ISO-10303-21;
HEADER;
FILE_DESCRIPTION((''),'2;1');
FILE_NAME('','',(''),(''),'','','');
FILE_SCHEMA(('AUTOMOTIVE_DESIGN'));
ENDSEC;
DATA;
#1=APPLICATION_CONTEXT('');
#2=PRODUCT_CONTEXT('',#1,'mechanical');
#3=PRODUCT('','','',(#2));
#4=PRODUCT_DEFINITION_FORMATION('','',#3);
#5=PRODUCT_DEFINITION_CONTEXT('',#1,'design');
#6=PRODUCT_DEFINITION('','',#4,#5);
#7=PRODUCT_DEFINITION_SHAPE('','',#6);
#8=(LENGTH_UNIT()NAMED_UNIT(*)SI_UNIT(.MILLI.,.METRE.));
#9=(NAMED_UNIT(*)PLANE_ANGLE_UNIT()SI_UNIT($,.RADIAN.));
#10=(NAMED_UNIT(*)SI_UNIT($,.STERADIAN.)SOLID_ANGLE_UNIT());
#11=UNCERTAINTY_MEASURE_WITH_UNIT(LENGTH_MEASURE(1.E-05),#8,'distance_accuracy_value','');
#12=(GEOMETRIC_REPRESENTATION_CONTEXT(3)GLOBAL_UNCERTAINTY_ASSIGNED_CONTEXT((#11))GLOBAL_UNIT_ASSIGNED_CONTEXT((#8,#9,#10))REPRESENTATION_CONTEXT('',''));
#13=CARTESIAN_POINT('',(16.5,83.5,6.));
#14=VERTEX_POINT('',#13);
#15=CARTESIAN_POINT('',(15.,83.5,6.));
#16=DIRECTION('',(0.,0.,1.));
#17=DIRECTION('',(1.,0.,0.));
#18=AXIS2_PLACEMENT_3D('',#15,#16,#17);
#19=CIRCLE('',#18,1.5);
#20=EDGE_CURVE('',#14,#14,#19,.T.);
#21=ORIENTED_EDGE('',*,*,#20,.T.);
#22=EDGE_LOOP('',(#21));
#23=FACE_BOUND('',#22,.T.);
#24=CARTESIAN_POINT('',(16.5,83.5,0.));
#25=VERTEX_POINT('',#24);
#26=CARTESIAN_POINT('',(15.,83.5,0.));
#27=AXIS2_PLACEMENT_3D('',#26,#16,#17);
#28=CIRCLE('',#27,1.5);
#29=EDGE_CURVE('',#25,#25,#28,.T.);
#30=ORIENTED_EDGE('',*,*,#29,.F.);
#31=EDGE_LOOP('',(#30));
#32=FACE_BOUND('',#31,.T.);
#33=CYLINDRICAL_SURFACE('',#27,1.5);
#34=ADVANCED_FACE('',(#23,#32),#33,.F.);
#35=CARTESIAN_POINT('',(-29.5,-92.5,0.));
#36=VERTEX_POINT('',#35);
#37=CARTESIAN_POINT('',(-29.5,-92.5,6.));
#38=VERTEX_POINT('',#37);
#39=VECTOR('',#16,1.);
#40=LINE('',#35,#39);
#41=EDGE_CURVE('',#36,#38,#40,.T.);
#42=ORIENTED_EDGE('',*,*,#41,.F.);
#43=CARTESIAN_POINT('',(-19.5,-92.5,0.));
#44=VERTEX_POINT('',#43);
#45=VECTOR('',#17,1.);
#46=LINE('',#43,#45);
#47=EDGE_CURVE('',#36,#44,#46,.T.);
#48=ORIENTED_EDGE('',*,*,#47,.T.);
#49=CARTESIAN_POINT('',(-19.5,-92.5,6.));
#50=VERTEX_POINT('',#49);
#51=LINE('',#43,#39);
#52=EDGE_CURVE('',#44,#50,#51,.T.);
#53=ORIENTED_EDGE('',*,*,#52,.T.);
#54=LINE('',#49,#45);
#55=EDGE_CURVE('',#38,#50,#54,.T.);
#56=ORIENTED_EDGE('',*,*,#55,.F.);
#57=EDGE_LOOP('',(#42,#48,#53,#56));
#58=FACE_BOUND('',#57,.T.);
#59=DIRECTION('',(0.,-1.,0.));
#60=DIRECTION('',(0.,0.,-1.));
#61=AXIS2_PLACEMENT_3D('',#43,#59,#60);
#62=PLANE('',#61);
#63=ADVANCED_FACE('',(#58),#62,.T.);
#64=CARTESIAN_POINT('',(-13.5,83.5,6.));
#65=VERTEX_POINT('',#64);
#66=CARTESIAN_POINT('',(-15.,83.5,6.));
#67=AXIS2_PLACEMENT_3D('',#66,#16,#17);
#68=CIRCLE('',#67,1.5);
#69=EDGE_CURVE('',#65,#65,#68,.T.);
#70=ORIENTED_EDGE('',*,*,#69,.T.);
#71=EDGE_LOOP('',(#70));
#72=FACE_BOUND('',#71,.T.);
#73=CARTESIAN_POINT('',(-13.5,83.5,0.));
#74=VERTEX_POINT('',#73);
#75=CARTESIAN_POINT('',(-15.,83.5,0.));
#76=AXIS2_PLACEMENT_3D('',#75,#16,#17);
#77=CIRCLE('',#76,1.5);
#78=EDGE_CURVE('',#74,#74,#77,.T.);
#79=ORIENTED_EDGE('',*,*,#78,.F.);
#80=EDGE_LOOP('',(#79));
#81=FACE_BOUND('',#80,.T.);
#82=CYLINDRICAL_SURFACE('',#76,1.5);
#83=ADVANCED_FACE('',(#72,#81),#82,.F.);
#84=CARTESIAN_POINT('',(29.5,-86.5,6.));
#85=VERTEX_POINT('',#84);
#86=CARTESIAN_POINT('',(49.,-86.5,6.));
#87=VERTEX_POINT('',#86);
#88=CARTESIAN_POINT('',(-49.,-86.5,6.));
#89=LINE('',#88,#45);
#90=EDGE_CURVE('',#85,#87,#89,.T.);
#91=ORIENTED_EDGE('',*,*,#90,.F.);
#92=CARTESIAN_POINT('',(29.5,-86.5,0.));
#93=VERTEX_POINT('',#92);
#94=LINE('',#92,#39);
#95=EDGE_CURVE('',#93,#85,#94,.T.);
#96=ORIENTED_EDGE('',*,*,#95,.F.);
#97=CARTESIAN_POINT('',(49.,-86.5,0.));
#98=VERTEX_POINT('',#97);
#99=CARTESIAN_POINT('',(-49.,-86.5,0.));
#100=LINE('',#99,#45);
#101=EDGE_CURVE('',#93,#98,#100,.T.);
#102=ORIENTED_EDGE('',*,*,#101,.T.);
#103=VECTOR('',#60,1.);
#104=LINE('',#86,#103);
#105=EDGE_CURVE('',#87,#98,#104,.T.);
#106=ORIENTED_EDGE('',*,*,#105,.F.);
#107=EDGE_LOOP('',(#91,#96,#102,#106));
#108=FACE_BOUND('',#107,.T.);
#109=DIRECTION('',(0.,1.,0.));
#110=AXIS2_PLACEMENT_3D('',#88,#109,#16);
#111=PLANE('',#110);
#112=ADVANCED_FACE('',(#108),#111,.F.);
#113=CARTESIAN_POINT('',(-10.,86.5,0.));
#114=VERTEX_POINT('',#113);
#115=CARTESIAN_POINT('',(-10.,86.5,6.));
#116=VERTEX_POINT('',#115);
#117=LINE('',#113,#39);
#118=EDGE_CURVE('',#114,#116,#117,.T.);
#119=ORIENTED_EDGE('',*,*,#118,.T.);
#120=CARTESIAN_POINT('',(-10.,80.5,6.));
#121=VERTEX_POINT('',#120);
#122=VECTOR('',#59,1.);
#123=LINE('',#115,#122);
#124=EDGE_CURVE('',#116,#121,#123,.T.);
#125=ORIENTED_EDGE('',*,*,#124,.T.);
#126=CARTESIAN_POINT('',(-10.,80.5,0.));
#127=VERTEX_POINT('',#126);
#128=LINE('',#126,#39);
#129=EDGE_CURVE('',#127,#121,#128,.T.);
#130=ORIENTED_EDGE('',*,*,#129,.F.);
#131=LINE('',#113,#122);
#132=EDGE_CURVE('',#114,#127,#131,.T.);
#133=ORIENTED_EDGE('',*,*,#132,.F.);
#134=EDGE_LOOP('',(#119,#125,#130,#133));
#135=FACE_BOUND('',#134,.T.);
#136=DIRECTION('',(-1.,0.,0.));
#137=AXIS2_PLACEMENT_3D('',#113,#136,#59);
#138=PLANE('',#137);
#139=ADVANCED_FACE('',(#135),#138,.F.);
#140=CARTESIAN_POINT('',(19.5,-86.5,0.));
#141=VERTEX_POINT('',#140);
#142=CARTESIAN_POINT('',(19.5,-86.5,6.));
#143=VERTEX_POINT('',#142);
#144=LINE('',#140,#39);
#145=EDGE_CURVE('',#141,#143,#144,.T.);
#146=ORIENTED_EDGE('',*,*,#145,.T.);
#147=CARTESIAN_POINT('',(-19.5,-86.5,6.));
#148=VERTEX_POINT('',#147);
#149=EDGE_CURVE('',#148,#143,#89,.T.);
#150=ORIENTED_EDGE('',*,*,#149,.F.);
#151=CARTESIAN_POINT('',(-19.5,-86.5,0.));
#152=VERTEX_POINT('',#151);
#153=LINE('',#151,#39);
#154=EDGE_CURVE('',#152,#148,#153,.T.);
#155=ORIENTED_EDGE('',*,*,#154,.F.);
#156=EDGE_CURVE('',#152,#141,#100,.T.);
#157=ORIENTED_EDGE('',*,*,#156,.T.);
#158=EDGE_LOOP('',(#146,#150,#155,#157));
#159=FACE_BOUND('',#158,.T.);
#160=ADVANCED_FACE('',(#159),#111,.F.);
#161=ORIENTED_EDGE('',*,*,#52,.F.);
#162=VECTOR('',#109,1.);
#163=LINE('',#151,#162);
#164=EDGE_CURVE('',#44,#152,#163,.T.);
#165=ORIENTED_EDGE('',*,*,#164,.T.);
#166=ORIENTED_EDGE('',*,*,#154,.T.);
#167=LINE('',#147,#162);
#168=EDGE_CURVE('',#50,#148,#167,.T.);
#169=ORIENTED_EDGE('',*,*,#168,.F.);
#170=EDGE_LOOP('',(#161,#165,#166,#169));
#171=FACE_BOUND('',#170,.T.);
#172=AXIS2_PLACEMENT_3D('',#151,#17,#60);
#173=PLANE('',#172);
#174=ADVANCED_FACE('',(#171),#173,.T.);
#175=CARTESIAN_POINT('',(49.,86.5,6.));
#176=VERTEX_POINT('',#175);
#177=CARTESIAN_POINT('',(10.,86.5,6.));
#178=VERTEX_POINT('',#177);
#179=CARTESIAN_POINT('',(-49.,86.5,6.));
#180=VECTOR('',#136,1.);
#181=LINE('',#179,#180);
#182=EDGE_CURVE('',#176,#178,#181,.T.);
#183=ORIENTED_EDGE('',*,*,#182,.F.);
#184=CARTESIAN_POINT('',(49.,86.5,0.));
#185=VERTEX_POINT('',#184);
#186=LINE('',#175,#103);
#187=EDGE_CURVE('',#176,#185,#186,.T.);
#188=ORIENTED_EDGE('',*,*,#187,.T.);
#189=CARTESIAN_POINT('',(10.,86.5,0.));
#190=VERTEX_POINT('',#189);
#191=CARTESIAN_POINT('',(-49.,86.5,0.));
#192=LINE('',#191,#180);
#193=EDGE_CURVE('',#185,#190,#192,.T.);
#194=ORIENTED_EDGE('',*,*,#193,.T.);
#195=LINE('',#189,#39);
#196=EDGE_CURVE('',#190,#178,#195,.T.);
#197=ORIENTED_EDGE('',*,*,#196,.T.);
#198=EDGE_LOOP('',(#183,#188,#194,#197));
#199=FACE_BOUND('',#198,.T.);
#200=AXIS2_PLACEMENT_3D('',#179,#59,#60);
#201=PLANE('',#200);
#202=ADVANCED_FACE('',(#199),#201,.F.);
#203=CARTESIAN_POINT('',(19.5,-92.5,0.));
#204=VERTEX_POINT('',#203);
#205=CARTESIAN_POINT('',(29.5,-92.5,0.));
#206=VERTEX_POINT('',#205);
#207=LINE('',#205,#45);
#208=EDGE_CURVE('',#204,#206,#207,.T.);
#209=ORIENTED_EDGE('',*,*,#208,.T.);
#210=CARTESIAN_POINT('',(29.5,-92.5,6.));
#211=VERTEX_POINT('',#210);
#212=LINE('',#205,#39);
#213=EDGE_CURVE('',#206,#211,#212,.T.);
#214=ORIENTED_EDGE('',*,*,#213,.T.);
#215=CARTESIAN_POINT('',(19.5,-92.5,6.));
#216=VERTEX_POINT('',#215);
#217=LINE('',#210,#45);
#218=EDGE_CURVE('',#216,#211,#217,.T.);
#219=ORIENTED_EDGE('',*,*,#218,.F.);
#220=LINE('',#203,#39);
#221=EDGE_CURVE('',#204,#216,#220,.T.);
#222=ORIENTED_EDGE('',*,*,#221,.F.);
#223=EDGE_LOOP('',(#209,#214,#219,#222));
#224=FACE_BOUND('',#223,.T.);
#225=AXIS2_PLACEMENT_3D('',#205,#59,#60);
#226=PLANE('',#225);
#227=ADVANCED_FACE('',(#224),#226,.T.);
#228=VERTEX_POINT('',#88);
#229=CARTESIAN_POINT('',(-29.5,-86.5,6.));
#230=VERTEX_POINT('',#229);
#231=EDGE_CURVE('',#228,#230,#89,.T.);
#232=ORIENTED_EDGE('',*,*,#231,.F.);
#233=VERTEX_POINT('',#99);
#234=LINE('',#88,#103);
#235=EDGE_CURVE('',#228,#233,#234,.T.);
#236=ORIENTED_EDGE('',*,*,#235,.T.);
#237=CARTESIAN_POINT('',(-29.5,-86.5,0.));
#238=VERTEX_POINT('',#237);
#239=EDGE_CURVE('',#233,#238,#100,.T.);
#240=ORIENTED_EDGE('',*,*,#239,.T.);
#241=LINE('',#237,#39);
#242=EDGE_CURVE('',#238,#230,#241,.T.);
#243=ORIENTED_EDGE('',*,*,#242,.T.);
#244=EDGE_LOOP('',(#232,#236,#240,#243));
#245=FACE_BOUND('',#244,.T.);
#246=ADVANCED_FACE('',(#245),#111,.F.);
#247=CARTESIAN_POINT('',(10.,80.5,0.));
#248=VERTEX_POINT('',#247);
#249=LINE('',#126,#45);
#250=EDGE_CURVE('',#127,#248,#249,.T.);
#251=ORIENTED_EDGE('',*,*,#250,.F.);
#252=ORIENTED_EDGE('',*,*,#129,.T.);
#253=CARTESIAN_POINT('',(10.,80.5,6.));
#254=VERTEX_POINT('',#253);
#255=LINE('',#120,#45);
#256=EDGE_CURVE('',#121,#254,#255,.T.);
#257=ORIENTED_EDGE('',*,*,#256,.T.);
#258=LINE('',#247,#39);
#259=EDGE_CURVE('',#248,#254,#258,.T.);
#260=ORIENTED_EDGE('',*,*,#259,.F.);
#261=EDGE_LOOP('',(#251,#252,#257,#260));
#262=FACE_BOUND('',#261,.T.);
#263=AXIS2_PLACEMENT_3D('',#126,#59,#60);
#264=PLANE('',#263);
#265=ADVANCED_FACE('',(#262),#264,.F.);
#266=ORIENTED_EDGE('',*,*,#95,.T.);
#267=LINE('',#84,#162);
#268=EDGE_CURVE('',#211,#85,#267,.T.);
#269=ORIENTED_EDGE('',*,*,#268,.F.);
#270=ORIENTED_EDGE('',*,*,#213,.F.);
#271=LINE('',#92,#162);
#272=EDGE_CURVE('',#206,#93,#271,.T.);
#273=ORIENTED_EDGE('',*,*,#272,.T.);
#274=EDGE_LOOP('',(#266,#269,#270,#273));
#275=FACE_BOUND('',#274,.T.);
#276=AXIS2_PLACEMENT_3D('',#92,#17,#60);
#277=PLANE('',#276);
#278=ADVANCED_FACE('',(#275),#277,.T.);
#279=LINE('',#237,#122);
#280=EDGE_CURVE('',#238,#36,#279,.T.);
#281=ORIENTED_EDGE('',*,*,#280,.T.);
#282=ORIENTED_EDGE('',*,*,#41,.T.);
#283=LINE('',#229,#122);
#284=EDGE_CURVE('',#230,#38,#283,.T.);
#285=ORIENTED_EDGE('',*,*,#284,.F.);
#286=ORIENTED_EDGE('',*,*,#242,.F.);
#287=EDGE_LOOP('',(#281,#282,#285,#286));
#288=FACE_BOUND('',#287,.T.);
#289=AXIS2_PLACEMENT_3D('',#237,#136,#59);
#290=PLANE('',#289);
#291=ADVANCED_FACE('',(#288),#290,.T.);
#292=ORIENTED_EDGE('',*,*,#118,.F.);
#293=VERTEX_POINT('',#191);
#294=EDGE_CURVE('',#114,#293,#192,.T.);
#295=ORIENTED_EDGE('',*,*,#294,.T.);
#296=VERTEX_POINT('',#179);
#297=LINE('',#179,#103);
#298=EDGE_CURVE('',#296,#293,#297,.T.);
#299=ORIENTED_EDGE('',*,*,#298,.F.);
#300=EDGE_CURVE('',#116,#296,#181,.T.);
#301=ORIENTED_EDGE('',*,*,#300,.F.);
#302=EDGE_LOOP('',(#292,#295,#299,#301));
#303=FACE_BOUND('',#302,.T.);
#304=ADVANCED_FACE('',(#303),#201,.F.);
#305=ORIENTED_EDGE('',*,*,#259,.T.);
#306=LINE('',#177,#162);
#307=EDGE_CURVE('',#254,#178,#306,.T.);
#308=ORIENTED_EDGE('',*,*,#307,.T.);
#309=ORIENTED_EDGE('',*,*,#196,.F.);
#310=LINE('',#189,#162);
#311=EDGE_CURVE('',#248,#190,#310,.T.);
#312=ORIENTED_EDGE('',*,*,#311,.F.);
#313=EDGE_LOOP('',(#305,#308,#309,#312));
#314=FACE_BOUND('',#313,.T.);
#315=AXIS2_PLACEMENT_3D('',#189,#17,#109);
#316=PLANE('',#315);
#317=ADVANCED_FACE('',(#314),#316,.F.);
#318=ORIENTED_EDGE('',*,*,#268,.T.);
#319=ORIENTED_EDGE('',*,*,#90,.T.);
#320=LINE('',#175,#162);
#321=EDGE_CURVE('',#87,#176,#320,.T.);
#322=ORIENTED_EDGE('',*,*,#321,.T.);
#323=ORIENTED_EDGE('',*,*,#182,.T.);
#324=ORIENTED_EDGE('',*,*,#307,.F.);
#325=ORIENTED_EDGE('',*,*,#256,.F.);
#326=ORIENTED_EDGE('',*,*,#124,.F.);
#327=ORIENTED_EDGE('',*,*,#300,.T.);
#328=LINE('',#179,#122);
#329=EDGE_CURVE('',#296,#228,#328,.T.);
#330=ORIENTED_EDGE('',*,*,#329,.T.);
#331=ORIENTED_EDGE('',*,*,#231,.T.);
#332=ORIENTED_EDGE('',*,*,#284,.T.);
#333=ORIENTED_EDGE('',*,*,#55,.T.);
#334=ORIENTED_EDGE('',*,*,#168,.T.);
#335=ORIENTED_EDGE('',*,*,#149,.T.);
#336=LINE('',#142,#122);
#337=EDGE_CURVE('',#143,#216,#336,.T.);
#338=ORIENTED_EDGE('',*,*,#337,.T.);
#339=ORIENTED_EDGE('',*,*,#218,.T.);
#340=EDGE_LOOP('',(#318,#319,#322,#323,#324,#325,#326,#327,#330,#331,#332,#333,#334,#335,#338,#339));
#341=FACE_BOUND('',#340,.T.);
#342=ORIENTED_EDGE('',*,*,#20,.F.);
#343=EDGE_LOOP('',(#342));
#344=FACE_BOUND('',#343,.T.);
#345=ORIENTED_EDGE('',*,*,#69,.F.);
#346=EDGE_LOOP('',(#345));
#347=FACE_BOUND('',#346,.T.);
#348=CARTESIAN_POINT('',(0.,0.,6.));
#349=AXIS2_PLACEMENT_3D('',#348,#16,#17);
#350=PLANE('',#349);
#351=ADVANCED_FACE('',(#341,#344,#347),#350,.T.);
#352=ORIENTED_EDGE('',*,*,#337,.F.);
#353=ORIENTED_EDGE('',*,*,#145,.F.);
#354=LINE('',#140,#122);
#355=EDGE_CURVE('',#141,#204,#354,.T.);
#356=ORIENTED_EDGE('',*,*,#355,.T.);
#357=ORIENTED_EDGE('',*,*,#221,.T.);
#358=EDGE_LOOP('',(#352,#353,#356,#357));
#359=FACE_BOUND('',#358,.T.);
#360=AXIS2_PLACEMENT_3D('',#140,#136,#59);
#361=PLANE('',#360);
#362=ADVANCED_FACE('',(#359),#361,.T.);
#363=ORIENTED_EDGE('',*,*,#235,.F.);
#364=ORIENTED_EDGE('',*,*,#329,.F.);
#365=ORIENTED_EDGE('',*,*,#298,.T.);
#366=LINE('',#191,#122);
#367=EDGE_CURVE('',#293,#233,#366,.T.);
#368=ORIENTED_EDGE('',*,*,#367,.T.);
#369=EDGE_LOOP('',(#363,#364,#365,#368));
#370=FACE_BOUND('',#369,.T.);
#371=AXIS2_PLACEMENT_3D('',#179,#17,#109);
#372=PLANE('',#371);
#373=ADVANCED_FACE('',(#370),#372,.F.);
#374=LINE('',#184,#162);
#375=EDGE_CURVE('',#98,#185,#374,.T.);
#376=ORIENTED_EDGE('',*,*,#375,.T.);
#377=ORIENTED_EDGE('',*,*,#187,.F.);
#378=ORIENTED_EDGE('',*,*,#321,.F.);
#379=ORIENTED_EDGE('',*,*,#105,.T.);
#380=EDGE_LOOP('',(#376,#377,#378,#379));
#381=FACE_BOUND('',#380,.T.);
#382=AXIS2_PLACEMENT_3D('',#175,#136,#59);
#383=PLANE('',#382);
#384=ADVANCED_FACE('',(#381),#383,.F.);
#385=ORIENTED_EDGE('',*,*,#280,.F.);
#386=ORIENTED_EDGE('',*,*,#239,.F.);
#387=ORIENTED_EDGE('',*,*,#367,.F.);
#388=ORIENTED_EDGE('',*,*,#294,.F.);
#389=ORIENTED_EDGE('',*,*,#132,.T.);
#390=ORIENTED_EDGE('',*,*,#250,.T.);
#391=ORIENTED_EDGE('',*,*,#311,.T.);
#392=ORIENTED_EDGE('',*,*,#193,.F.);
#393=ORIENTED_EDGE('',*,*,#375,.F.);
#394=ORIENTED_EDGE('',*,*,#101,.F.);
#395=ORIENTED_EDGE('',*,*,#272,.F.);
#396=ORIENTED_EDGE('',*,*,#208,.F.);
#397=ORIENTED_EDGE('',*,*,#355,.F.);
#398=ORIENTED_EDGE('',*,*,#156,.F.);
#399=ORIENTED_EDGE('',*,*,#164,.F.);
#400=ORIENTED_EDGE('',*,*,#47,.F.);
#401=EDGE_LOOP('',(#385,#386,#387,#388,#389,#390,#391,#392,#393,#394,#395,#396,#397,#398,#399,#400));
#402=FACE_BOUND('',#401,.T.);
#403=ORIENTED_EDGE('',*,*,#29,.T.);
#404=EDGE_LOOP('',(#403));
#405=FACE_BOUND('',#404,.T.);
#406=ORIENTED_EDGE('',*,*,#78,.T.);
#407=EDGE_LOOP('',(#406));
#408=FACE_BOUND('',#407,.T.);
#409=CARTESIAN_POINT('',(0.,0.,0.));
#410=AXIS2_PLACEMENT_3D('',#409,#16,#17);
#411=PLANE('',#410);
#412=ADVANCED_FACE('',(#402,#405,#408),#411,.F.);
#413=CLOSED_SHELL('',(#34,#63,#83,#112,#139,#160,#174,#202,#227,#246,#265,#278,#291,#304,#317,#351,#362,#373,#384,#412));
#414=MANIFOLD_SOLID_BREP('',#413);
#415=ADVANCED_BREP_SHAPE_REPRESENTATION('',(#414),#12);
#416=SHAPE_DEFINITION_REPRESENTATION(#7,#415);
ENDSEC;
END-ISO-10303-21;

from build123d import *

# Parameters (mm, degrees)
ESQUISSE1_W             = 98
ESQUISSE1_H             = 173
BOSS_EXTRU_1_DEPTH      = 6
ESQUISSE2_W             = 10
ESQUISSE2_H             = 6
BOSS_EXTRU_2_DEPTH      = 6
ESQUISSE3_R             = 1.5
ENL_V_MAT_EXTRU_1_DEPTH = 6
ESQUISSE4_W             = 20
ESQUISSE4_H             = 6
ENL_V_MAT_EXTRU_2_DEPTH = 6


with BuildPart() as part:
    # Esquisse1 → Boss.-Extru.1 (new body)
    with BuildSketch(Plane.XY):
        Rectangle(ESQUISSE1_W, ESQUISSE1_H)
    extrude(amount=BOSS_EXTRU_1_DEPTH)

    # Esquisse2 → Boss.-Extru.2 (add)
    with BuildSketch(Plane.XY.offset(6)):
        with Locations((24.5, -89.5)):
            Rectangle(ESQUISSE2_W, ESQUISSE2_H)
        with Locations((-24.5, -89.5)):
            Rectangle(ESQUISSE2_W, ESQUISSE2_H)
    extrude(amount=-BOSS_EXTRU_2_DEPTH)

    # Esquisse3 → Enlèv. mat.-Extru.1 (cut)
    with BuildSketch(Plane.XY.offset(6)):
        with Locations((-15, 83.5)):
            Circle(ESQUISSE3_R)
        with Locations((15, 83.5)):
            Circle(ESQUISSE3_R)
    extrude(amount=-ENL_V_MAT_EXTRU_1_DEPTH, mode=Mode.SUBTRACT)

    # Esquisse4 → Enlèv. mat.-Extru.2 (cut)
    with BuildSketch(Plane.XY.offset(6)):
        with Locations((0, 83.5)):
            Rectangle(ESQUISSE4_W, ESQUISSE4_H)
    extrude(amount=-ENL_V_MAT_EXTRU_2_DEPTH, mode=Mode.SUBTRACT)


solid = part.part
